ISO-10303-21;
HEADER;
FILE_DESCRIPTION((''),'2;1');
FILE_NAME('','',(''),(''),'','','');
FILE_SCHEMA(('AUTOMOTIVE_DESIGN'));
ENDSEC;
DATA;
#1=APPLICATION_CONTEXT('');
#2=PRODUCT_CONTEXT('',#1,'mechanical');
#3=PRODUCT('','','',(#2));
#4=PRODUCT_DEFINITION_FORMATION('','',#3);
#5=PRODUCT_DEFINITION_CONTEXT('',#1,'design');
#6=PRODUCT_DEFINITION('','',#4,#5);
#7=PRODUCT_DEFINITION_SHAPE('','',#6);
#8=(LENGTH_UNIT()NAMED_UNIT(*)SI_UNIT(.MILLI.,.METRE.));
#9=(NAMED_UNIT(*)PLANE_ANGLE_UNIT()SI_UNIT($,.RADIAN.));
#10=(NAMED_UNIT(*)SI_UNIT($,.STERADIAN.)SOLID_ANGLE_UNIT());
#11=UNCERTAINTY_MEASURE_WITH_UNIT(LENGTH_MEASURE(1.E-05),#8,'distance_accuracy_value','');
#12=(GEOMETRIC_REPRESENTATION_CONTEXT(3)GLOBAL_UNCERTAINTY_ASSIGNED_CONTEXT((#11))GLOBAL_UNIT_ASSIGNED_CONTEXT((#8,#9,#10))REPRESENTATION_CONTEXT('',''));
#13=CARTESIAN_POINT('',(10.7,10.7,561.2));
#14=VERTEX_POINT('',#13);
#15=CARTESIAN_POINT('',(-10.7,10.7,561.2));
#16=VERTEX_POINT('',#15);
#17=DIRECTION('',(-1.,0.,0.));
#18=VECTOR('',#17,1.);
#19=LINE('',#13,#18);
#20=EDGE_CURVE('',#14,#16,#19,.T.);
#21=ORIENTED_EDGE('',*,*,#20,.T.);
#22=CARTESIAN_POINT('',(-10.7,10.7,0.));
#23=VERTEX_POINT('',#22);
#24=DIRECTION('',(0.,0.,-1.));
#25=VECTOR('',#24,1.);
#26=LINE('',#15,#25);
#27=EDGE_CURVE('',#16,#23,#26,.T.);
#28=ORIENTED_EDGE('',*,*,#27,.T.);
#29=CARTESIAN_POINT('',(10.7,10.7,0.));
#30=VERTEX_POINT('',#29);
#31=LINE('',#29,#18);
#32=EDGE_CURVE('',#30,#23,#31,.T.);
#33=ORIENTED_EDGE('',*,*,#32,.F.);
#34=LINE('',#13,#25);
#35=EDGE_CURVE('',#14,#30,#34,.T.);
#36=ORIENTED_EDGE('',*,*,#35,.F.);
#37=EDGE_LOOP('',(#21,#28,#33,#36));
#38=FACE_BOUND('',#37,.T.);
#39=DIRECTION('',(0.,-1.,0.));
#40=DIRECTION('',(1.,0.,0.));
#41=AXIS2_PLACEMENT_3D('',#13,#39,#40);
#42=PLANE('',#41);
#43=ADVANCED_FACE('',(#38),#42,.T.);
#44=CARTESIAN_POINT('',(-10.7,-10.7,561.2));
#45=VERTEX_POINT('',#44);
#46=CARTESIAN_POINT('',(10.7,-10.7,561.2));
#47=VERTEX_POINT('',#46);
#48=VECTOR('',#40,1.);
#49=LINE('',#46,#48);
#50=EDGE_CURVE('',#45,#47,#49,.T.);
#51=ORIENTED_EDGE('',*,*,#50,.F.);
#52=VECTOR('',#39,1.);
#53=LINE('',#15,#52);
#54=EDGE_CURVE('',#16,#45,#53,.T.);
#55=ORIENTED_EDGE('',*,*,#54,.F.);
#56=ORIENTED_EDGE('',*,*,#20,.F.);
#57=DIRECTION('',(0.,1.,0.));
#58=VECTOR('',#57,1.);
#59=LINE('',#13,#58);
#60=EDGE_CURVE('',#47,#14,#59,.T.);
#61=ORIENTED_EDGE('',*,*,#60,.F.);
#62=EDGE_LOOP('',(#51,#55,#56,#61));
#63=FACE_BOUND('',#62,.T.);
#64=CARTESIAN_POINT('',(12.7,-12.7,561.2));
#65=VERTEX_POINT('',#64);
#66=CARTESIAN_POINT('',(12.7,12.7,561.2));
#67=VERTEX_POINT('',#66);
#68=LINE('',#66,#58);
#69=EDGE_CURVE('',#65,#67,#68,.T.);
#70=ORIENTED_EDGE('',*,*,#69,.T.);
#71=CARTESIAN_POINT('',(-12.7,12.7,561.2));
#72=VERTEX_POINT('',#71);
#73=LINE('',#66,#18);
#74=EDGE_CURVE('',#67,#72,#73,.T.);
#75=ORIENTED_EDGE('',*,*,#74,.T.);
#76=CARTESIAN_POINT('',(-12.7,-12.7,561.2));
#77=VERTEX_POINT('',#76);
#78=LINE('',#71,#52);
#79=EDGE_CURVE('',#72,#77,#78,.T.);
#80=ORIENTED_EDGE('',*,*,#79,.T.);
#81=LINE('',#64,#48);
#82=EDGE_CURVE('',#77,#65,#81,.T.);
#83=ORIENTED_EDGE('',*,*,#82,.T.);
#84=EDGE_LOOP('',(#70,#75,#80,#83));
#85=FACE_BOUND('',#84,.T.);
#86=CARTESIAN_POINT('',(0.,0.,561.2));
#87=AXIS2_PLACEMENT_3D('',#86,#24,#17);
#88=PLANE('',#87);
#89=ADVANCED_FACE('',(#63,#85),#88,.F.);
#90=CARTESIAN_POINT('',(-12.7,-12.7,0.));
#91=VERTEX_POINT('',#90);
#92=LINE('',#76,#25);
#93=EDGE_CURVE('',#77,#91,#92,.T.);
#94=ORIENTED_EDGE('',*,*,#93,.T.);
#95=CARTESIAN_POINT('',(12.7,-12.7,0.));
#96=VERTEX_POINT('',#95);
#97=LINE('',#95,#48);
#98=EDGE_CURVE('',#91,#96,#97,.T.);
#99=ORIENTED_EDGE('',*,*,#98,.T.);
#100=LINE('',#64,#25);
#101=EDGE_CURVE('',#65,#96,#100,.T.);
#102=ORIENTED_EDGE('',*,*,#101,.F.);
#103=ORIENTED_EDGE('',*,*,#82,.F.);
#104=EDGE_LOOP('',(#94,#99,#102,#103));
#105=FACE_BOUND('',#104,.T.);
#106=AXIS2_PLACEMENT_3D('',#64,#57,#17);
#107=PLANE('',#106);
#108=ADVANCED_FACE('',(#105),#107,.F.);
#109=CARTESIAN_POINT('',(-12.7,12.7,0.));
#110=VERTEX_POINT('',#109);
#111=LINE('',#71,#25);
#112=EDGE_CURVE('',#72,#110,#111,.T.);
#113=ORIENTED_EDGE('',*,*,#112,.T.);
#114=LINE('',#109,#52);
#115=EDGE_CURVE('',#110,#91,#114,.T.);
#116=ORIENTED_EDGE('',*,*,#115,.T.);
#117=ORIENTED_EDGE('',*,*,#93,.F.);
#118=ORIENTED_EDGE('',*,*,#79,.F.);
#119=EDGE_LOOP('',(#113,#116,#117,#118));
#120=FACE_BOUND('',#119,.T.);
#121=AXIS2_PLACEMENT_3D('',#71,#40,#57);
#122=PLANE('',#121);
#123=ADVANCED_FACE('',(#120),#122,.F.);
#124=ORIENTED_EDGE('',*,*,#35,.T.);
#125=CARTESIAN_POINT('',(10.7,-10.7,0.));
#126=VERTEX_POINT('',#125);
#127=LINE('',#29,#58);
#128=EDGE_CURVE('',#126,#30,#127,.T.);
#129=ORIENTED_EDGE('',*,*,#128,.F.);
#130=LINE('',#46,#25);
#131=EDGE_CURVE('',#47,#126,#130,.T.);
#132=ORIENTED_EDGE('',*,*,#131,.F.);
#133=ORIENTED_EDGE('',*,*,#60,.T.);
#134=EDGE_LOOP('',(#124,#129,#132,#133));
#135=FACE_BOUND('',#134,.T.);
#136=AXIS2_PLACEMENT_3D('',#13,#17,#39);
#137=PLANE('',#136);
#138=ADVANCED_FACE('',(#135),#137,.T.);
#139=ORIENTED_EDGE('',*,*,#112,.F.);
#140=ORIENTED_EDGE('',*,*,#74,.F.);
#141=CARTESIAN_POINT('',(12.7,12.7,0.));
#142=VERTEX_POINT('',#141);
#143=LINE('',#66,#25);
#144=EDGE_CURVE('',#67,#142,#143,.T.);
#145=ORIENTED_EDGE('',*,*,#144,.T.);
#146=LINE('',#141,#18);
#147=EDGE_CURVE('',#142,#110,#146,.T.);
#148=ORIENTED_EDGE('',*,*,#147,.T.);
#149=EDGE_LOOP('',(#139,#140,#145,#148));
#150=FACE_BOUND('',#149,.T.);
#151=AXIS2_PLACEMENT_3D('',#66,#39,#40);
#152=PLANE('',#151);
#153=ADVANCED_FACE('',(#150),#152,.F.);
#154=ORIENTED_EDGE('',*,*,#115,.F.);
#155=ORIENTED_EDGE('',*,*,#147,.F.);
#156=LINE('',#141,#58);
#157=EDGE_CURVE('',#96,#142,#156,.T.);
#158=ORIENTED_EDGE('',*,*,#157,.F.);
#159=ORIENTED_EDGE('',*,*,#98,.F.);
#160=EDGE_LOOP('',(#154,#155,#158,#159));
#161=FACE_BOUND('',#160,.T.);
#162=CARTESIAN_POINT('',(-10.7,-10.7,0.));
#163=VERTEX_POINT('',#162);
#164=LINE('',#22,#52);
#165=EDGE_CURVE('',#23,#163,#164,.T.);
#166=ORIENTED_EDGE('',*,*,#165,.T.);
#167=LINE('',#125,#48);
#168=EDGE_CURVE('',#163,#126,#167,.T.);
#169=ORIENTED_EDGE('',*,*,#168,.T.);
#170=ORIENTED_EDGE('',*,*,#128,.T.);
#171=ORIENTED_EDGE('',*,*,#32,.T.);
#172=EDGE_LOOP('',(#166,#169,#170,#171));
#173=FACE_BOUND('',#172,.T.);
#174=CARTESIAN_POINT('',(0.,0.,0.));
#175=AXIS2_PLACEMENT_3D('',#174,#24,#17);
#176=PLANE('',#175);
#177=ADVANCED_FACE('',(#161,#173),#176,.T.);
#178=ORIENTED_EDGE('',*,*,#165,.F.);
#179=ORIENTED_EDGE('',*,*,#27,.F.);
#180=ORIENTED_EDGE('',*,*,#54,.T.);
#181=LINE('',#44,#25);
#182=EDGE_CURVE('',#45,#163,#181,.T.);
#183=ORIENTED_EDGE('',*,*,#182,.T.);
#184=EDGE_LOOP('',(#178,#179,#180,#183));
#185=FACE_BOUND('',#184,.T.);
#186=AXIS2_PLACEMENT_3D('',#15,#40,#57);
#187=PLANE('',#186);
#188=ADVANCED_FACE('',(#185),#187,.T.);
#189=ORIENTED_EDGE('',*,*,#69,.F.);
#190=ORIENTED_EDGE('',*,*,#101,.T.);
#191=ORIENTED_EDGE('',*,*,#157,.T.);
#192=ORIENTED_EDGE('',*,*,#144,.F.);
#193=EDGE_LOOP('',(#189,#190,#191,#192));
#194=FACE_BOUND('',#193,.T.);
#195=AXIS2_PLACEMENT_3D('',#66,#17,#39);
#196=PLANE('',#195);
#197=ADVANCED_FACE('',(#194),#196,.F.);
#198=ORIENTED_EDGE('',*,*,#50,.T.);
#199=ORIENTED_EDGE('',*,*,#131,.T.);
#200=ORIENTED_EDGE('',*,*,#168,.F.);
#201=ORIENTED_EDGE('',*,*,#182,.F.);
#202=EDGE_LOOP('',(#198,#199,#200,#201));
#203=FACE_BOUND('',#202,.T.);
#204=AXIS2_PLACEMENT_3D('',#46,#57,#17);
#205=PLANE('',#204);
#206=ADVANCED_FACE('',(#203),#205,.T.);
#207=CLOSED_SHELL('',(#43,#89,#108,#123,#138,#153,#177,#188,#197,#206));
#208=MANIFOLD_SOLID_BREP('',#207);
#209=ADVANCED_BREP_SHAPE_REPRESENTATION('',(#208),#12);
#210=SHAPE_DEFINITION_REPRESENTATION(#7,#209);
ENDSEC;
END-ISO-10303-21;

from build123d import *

# Parameters (mm, degrees)
SKETCH1_W           = 25.4
SKETCH1_H           = 25.4
SKETCH1_W_2         = 21.4
SKETCH1_H_2         = 21.4
BOSS_EXTRUDE1_DEPTH = 561.2


with BuildPart() as part:
    # Sketch1 → Boss-Extrude1 (new body)
    with BuildSketch(Plane.XY):
        Rectangle(SKETCH1_W, SKETCH1_H)
        Rectangle(SKETCH1_W_2, SKETCH1_H_2, mode=Mode.SUBTRACT)
    extrude(amount=BOSS_EXTRUDE1_DEPTH)


solid = part.part
